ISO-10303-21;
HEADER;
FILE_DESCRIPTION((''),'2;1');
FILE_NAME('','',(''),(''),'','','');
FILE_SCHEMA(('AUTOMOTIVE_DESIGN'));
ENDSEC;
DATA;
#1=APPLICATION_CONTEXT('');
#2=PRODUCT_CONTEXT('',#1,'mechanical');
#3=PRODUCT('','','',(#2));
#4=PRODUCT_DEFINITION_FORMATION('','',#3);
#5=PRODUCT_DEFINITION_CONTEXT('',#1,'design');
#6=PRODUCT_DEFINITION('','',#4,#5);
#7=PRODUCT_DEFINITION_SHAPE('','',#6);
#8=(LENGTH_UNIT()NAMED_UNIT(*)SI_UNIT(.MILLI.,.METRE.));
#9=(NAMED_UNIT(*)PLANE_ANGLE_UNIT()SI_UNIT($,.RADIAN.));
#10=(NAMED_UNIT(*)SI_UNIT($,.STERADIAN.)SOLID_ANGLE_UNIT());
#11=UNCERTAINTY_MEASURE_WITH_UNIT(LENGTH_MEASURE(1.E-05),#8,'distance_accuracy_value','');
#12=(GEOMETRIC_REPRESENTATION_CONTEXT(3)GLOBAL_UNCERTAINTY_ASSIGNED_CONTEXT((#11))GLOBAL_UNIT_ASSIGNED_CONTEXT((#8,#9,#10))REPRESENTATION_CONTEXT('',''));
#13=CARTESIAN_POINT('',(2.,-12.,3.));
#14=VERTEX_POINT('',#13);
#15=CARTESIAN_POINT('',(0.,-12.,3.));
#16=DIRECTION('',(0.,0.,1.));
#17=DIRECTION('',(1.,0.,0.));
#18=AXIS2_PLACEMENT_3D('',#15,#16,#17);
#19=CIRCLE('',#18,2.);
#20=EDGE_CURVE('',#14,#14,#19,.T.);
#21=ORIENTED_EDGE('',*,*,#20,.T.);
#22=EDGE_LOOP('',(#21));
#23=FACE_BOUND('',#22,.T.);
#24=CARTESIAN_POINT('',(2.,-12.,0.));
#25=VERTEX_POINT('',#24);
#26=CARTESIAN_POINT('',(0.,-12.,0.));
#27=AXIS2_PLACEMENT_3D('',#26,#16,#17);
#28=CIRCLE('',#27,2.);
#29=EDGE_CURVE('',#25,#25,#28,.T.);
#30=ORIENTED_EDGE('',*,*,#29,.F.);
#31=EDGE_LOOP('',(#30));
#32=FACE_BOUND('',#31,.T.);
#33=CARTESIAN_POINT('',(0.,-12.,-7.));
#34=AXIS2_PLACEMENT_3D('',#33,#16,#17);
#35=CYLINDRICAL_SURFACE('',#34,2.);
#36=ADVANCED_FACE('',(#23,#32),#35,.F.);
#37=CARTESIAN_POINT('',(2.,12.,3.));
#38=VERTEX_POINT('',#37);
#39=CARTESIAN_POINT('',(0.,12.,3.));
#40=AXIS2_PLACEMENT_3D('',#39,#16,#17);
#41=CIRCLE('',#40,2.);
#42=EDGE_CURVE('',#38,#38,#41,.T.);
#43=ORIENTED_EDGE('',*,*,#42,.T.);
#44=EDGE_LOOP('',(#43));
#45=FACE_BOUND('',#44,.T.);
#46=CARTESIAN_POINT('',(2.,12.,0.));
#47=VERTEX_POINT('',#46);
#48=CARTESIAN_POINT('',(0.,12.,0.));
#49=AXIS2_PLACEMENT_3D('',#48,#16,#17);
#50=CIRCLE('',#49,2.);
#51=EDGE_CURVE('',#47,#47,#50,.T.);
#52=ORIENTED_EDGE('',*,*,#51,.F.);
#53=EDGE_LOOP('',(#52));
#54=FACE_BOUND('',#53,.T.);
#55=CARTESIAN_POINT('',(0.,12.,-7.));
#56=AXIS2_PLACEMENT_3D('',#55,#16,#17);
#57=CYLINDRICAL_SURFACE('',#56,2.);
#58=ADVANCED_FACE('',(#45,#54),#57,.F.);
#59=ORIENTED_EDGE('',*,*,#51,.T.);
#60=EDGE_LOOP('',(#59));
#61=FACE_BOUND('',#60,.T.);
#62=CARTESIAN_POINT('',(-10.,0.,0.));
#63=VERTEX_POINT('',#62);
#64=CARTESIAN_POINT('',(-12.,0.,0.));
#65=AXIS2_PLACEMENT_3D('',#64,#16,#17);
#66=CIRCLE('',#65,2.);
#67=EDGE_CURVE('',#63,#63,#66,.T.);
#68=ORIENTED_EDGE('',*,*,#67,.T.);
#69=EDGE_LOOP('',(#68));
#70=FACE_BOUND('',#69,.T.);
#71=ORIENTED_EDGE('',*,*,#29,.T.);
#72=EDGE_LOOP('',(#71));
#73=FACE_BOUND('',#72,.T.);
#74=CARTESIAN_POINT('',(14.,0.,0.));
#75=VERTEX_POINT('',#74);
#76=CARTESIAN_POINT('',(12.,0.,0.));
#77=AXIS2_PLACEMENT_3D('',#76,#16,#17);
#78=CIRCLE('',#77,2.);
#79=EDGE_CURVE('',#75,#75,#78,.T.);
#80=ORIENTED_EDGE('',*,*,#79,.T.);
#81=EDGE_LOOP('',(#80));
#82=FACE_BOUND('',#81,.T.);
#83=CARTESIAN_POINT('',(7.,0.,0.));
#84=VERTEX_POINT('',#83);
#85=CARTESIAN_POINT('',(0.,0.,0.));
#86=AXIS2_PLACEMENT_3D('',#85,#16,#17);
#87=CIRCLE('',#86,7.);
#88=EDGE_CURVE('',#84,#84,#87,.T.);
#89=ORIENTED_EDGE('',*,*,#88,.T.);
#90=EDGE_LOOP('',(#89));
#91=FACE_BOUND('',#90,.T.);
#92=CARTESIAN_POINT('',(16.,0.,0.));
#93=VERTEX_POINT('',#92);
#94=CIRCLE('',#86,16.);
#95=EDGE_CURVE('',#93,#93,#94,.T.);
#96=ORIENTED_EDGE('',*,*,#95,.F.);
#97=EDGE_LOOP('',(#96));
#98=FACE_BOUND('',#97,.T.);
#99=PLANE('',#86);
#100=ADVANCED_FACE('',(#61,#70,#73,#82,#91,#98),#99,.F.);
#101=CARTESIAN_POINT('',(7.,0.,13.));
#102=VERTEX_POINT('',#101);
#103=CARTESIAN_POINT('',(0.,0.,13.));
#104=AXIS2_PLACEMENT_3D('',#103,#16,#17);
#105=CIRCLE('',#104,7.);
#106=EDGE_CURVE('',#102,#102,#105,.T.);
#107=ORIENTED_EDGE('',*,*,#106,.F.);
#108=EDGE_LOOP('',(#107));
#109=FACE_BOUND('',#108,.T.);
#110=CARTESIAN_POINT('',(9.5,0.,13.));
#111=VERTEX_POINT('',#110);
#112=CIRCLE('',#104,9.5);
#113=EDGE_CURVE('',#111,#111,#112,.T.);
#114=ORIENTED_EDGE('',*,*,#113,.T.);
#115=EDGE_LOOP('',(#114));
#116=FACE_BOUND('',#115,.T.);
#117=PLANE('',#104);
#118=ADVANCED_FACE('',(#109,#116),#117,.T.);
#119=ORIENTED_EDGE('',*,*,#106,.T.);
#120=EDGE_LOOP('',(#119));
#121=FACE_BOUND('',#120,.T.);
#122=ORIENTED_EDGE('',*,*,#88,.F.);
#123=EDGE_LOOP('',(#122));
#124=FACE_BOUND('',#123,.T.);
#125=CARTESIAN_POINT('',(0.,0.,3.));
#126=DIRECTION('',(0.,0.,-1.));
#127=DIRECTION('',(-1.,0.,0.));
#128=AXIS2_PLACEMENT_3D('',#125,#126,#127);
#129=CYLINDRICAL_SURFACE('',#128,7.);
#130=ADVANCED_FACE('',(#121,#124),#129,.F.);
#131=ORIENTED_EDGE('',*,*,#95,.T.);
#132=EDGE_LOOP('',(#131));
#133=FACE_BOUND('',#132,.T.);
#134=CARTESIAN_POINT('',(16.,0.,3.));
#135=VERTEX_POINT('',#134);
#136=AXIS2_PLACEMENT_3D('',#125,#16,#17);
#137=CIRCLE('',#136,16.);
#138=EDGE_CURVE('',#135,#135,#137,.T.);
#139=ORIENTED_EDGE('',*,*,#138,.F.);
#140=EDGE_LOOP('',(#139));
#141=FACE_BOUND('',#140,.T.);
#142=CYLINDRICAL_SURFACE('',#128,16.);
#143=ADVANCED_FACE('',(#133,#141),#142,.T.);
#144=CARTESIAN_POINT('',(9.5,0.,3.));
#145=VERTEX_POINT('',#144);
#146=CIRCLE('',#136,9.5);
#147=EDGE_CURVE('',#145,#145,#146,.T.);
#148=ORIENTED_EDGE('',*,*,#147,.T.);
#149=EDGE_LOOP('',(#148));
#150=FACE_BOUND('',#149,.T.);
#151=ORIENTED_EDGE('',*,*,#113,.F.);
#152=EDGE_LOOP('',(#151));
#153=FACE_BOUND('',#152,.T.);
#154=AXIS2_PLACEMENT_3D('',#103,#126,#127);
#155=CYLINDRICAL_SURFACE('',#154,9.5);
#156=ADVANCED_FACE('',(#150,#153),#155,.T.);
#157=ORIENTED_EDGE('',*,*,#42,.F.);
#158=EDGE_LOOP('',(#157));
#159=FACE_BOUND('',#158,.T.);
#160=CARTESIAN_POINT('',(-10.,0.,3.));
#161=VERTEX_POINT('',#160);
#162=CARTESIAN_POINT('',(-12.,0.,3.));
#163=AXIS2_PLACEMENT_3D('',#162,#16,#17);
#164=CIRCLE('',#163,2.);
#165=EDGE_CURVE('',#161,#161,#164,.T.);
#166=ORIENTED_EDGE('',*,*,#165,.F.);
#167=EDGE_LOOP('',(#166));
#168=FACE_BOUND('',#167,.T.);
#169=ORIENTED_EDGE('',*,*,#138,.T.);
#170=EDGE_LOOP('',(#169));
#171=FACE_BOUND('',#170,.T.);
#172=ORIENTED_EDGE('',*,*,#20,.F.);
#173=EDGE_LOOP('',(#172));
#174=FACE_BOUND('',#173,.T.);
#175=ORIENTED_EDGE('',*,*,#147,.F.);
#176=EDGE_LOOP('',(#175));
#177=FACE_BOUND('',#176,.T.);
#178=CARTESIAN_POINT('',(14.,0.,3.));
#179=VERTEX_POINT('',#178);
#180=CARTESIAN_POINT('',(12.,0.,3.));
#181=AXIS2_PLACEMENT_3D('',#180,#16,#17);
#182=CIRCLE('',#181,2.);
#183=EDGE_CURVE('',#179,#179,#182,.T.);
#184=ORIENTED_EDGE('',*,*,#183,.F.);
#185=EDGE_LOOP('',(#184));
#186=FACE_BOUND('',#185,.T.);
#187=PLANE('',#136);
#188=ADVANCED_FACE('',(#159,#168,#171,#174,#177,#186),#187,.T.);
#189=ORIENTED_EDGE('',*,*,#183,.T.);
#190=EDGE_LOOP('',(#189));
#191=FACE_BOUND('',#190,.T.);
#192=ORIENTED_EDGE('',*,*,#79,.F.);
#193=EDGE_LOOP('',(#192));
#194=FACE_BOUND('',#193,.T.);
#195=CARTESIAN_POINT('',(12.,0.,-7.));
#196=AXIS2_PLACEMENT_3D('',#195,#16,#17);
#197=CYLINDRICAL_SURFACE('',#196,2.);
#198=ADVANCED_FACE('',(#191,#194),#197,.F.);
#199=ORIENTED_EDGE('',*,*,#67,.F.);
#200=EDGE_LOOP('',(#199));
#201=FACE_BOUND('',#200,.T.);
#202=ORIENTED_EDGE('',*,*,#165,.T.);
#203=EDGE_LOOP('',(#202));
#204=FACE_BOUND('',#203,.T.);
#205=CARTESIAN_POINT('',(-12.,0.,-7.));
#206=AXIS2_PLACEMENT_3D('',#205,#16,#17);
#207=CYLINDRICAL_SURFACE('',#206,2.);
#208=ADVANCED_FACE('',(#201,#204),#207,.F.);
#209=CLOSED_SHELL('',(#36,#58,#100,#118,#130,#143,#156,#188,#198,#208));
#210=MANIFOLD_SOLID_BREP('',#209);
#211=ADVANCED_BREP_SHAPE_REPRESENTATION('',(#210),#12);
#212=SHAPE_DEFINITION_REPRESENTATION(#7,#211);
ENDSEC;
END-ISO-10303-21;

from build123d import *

# Parameters (mm, degrees)
SKETCH_1_R          = 16
SKETCH_1_R_2        = 7
EXTRUDE_1_DEPTH     = 3
SKETCH_2_R          = 9.5
SKETCH_2_R_2        = 7
EXTRUDE_2_DEPTH     = 10
SKETCH_3_R          = 2
CUT_EXTRUDE_1_DEPTH = 10


with BuildPart() as part:
    # 草图1 → 凸台-拉伸1 (new body)
    with BuildSketch(Plane.XY):
        Circle(SKETCH_1_R)
        Circle(SKETCH_1_R_2, mode=Mode.SUBTRACT)
    extrude(amount=EXTRUDE_1_DEPTH)

    # 草图2 → 凸台-拉伸2 (add)
    with BuildSketch(Plane.XY.offset(3)):
        Circle(SKETCH_2_R)
        Circle(SKETCH_2_R_2, mode=Mode.SUBTRACT)
    extrude(amount=EXTRUDE_2_DEPTH)

    # 草图3 → 切除-拉伸1 (cut)
    with BuildSketch(Plane.XY.offset(3)):
        with Locations((0, -12)):
            Circle(SKETCH_3_R)
        with Locations((-12, 0)):
            Circle(SKETCH_3_R)
        with Locations((0, 12)):
            Circle(SKETCH_3_R)
        with Locations((12, 0)):
            Circle(SKETCH_3_R)
    extrude(amount=-CUT_EXTRUDE_1_DEPTH, mode=Mode.SUBTRACT)


solid = part.part
